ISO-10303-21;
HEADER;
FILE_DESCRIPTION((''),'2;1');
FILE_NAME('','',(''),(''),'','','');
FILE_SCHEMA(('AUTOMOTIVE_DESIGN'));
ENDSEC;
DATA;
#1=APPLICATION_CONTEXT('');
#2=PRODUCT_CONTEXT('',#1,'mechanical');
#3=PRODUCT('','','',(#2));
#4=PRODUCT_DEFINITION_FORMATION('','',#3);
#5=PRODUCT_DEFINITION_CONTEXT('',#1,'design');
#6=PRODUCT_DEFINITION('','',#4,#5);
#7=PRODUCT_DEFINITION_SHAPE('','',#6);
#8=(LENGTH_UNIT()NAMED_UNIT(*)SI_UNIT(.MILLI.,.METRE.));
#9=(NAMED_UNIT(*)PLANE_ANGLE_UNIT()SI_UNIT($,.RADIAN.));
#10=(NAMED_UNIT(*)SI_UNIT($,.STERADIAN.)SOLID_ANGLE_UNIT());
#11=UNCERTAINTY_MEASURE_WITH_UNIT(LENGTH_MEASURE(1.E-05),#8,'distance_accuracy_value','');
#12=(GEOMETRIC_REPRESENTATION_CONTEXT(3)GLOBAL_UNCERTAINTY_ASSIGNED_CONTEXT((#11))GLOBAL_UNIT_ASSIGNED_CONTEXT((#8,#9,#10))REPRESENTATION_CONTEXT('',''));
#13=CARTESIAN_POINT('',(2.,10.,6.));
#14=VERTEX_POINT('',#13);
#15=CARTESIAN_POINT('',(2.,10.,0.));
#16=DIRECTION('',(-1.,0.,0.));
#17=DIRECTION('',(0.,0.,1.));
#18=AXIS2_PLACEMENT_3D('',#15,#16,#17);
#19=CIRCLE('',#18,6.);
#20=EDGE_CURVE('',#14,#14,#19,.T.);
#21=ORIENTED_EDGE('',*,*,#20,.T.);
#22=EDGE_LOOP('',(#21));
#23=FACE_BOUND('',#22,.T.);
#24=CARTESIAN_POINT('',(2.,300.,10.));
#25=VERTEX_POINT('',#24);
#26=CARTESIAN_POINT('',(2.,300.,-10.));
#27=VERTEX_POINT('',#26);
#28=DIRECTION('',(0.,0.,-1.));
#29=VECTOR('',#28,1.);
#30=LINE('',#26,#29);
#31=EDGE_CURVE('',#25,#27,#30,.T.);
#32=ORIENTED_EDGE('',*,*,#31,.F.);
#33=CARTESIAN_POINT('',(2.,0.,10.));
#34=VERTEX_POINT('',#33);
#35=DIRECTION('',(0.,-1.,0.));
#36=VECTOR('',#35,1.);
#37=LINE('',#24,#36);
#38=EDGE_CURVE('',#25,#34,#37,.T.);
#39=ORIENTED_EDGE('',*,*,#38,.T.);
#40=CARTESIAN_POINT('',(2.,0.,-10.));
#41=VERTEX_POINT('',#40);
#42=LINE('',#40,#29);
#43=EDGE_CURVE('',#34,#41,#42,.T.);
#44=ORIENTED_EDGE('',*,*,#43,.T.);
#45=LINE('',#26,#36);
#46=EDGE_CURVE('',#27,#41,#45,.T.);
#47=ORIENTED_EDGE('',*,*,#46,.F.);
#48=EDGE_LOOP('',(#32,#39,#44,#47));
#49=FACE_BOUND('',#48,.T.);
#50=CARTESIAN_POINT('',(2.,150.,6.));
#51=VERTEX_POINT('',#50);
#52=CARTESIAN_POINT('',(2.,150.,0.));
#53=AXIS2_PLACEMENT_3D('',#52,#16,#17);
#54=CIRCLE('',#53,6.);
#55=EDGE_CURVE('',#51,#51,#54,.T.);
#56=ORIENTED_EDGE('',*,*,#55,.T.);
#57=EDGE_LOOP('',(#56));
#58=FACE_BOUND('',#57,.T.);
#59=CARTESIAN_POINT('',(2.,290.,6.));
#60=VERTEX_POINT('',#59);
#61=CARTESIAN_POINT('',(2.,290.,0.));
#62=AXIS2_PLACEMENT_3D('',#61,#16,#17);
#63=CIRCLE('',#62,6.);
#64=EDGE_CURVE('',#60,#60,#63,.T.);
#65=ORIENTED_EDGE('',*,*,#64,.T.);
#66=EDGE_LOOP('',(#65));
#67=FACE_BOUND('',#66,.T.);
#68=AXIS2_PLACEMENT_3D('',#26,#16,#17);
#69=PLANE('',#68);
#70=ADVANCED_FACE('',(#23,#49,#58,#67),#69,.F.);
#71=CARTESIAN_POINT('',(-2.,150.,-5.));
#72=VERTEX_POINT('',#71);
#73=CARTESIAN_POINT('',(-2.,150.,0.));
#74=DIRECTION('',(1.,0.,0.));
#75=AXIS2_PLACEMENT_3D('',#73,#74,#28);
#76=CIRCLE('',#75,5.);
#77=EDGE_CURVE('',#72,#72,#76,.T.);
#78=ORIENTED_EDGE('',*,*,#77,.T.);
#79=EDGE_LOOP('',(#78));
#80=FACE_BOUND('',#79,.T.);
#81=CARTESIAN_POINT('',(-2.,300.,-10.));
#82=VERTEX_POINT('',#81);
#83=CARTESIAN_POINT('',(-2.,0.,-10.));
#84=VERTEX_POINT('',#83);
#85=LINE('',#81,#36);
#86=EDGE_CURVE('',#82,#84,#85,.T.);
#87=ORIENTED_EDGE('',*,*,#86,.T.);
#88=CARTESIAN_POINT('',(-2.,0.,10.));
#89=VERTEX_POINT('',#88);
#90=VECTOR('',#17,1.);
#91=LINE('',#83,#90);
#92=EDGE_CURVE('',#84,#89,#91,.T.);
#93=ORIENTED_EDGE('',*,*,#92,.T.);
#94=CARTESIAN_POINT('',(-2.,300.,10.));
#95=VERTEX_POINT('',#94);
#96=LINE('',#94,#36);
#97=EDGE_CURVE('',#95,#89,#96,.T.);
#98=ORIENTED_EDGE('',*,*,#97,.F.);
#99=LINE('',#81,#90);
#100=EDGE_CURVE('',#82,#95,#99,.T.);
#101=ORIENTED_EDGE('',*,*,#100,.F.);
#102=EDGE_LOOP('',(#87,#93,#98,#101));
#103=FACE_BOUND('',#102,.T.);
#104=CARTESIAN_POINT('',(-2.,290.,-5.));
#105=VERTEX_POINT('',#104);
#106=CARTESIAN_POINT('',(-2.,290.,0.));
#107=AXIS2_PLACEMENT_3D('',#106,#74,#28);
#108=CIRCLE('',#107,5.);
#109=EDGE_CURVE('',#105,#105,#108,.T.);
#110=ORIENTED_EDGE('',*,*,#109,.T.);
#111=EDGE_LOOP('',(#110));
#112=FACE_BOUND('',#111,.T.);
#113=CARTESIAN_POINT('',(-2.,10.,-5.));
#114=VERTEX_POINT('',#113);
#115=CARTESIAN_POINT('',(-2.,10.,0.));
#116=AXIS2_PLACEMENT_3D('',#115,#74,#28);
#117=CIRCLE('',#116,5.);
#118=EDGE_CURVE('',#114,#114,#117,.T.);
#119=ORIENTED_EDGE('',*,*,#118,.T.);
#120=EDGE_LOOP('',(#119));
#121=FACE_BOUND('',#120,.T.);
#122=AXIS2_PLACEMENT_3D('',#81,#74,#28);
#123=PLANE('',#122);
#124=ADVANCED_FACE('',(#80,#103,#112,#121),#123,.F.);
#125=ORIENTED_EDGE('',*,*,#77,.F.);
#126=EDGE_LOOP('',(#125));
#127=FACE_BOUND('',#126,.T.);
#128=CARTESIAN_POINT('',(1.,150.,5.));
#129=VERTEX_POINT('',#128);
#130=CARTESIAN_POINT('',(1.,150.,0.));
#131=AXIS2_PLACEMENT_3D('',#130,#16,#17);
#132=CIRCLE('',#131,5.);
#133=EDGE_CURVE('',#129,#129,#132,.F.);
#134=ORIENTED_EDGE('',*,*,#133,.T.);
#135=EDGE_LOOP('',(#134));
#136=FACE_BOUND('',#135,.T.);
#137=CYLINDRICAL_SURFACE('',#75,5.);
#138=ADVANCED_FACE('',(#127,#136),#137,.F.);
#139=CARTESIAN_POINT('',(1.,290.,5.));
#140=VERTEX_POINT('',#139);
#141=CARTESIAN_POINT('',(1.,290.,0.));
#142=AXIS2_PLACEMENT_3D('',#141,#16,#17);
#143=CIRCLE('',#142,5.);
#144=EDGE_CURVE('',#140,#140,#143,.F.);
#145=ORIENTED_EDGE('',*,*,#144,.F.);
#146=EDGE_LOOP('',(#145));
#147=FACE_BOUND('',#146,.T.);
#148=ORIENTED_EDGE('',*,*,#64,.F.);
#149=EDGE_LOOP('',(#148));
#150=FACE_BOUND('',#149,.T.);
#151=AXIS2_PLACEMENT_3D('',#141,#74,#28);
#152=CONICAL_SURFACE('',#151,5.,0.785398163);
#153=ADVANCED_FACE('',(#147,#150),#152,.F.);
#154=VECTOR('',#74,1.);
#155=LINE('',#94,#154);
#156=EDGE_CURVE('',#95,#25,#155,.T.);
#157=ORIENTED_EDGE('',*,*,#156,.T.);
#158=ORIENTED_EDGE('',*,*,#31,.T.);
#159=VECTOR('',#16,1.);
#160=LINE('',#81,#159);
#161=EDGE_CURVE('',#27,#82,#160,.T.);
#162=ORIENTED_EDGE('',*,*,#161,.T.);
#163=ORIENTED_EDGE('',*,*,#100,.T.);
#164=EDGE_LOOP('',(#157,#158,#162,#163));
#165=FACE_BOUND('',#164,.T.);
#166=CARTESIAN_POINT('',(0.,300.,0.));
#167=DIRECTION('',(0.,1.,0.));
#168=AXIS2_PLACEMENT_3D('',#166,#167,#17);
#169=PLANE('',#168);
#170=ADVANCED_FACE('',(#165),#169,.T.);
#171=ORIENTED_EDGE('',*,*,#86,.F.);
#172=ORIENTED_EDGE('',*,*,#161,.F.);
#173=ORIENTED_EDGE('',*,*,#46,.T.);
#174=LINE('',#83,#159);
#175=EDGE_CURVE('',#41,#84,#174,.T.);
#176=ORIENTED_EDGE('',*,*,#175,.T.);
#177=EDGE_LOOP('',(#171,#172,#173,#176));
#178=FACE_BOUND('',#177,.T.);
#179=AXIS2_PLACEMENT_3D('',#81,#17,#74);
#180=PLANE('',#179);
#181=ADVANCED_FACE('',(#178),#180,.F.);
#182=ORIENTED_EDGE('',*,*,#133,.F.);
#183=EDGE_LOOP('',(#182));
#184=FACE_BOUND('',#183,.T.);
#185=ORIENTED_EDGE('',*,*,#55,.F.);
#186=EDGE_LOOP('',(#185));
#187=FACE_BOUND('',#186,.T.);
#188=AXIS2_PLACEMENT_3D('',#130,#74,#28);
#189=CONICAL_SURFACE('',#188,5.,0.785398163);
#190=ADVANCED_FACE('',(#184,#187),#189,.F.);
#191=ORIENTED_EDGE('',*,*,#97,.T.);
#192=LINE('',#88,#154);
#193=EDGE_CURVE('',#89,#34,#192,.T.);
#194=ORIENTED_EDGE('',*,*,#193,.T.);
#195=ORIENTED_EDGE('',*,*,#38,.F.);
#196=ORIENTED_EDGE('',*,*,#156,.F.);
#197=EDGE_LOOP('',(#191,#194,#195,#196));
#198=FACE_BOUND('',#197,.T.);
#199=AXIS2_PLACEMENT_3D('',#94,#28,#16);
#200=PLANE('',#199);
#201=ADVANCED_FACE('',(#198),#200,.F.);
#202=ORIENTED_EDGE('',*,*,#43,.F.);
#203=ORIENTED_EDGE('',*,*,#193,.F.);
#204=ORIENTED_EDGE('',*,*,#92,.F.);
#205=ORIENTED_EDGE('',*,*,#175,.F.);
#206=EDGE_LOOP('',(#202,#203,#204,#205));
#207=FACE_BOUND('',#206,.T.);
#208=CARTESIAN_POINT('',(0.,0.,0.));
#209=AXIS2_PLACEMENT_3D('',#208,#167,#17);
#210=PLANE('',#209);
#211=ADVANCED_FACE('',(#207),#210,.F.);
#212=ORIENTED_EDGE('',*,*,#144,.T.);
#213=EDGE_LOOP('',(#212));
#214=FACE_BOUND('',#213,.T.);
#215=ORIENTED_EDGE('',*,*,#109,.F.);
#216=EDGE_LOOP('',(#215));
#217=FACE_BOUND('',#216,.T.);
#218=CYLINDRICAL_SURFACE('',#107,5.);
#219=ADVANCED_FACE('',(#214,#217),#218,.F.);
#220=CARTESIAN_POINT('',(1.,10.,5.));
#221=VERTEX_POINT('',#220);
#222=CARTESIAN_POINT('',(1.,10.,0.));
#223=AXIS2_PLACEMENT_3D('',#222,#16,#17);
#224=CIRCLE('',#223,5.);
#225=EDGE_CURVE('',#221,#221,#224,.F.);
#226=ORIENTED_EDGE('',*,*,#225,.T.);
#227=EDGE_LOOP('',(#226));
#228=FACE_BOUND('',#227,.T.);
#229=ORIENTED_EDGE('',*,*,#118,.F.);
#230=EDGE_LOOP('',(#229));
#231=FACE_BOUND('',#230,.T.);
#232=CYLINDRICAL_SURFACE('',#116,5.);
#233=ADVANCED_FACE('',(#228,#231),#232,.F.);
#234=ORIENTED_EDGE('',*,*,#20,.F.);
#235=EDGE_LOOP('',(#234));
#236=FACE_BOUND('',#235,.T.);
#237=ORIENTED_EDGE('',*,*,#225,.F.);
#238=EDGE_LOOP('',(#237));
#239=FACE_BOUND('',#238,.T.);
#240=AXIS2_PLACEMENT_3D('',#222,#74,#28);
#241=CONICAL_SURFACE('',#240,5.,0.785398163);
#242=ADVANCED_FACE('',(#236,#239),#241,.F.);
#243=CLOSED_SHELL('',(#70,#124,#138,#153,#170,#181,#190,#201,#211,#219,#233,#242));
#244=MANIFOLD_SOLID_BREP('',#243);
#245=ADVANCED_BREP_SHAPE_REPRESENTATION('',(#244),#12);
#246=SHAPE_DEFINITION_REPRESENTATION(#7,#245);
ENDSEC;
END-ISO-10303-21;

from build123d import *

# Parameters (mm, degrees)
SKETCH_1_W          = 4
SKETCH_1_H          = 20
EXTRUDE_1_DEPTH     = 300
SKETCH_2_R          = 5
CUT_EXTRUDE_1_DEPTH = 5
CHAMFER_1_SIZE      = 1


with BuildPart() as part:
    # Эскиз1 → Бобышка-Вытянуть1 (new body)
    with BuildSketch(Plane(origin=(0, 0, 0), x_dir=(1, 0, 0), z_dir=(0, 1, 0))):
        Rectangle(SKETCH_1_W, SKETCH_1_H)
    extrude(amount=EXTRUDE_1_DEPTH)

    # Эскиз2 → Вырез-Вытянуть1 (cut, through all)
    with BuildSketch(Plane(origin=(2, 0, 0), x_dir=(0, 0, -1), z_dir=(1, 0, 0))):
        with Locations((0, 290)):
            Circle(SKETCH_2_R)
        with Locations((0, 150)):
            Circle(SKETCH_2_R)
        with Locations((0, 10)):
            Circle(SKETCH_2_R)
    extrude(amount=-CUT_EXTRUDE_1_DEPTH, mode=Mode.SUBTRACT)

    # Фаска1
    chamfer_1_edges = [part.edges().sort_by_distance(p)[0] for p in [
        (2, 290, 5),
        (2, 150, 5),
        (2, 10, 5),
    ]]
    chamfer(chamfer_1_edges, length=CHAMFER_1_SIZE)


solid = part.part
